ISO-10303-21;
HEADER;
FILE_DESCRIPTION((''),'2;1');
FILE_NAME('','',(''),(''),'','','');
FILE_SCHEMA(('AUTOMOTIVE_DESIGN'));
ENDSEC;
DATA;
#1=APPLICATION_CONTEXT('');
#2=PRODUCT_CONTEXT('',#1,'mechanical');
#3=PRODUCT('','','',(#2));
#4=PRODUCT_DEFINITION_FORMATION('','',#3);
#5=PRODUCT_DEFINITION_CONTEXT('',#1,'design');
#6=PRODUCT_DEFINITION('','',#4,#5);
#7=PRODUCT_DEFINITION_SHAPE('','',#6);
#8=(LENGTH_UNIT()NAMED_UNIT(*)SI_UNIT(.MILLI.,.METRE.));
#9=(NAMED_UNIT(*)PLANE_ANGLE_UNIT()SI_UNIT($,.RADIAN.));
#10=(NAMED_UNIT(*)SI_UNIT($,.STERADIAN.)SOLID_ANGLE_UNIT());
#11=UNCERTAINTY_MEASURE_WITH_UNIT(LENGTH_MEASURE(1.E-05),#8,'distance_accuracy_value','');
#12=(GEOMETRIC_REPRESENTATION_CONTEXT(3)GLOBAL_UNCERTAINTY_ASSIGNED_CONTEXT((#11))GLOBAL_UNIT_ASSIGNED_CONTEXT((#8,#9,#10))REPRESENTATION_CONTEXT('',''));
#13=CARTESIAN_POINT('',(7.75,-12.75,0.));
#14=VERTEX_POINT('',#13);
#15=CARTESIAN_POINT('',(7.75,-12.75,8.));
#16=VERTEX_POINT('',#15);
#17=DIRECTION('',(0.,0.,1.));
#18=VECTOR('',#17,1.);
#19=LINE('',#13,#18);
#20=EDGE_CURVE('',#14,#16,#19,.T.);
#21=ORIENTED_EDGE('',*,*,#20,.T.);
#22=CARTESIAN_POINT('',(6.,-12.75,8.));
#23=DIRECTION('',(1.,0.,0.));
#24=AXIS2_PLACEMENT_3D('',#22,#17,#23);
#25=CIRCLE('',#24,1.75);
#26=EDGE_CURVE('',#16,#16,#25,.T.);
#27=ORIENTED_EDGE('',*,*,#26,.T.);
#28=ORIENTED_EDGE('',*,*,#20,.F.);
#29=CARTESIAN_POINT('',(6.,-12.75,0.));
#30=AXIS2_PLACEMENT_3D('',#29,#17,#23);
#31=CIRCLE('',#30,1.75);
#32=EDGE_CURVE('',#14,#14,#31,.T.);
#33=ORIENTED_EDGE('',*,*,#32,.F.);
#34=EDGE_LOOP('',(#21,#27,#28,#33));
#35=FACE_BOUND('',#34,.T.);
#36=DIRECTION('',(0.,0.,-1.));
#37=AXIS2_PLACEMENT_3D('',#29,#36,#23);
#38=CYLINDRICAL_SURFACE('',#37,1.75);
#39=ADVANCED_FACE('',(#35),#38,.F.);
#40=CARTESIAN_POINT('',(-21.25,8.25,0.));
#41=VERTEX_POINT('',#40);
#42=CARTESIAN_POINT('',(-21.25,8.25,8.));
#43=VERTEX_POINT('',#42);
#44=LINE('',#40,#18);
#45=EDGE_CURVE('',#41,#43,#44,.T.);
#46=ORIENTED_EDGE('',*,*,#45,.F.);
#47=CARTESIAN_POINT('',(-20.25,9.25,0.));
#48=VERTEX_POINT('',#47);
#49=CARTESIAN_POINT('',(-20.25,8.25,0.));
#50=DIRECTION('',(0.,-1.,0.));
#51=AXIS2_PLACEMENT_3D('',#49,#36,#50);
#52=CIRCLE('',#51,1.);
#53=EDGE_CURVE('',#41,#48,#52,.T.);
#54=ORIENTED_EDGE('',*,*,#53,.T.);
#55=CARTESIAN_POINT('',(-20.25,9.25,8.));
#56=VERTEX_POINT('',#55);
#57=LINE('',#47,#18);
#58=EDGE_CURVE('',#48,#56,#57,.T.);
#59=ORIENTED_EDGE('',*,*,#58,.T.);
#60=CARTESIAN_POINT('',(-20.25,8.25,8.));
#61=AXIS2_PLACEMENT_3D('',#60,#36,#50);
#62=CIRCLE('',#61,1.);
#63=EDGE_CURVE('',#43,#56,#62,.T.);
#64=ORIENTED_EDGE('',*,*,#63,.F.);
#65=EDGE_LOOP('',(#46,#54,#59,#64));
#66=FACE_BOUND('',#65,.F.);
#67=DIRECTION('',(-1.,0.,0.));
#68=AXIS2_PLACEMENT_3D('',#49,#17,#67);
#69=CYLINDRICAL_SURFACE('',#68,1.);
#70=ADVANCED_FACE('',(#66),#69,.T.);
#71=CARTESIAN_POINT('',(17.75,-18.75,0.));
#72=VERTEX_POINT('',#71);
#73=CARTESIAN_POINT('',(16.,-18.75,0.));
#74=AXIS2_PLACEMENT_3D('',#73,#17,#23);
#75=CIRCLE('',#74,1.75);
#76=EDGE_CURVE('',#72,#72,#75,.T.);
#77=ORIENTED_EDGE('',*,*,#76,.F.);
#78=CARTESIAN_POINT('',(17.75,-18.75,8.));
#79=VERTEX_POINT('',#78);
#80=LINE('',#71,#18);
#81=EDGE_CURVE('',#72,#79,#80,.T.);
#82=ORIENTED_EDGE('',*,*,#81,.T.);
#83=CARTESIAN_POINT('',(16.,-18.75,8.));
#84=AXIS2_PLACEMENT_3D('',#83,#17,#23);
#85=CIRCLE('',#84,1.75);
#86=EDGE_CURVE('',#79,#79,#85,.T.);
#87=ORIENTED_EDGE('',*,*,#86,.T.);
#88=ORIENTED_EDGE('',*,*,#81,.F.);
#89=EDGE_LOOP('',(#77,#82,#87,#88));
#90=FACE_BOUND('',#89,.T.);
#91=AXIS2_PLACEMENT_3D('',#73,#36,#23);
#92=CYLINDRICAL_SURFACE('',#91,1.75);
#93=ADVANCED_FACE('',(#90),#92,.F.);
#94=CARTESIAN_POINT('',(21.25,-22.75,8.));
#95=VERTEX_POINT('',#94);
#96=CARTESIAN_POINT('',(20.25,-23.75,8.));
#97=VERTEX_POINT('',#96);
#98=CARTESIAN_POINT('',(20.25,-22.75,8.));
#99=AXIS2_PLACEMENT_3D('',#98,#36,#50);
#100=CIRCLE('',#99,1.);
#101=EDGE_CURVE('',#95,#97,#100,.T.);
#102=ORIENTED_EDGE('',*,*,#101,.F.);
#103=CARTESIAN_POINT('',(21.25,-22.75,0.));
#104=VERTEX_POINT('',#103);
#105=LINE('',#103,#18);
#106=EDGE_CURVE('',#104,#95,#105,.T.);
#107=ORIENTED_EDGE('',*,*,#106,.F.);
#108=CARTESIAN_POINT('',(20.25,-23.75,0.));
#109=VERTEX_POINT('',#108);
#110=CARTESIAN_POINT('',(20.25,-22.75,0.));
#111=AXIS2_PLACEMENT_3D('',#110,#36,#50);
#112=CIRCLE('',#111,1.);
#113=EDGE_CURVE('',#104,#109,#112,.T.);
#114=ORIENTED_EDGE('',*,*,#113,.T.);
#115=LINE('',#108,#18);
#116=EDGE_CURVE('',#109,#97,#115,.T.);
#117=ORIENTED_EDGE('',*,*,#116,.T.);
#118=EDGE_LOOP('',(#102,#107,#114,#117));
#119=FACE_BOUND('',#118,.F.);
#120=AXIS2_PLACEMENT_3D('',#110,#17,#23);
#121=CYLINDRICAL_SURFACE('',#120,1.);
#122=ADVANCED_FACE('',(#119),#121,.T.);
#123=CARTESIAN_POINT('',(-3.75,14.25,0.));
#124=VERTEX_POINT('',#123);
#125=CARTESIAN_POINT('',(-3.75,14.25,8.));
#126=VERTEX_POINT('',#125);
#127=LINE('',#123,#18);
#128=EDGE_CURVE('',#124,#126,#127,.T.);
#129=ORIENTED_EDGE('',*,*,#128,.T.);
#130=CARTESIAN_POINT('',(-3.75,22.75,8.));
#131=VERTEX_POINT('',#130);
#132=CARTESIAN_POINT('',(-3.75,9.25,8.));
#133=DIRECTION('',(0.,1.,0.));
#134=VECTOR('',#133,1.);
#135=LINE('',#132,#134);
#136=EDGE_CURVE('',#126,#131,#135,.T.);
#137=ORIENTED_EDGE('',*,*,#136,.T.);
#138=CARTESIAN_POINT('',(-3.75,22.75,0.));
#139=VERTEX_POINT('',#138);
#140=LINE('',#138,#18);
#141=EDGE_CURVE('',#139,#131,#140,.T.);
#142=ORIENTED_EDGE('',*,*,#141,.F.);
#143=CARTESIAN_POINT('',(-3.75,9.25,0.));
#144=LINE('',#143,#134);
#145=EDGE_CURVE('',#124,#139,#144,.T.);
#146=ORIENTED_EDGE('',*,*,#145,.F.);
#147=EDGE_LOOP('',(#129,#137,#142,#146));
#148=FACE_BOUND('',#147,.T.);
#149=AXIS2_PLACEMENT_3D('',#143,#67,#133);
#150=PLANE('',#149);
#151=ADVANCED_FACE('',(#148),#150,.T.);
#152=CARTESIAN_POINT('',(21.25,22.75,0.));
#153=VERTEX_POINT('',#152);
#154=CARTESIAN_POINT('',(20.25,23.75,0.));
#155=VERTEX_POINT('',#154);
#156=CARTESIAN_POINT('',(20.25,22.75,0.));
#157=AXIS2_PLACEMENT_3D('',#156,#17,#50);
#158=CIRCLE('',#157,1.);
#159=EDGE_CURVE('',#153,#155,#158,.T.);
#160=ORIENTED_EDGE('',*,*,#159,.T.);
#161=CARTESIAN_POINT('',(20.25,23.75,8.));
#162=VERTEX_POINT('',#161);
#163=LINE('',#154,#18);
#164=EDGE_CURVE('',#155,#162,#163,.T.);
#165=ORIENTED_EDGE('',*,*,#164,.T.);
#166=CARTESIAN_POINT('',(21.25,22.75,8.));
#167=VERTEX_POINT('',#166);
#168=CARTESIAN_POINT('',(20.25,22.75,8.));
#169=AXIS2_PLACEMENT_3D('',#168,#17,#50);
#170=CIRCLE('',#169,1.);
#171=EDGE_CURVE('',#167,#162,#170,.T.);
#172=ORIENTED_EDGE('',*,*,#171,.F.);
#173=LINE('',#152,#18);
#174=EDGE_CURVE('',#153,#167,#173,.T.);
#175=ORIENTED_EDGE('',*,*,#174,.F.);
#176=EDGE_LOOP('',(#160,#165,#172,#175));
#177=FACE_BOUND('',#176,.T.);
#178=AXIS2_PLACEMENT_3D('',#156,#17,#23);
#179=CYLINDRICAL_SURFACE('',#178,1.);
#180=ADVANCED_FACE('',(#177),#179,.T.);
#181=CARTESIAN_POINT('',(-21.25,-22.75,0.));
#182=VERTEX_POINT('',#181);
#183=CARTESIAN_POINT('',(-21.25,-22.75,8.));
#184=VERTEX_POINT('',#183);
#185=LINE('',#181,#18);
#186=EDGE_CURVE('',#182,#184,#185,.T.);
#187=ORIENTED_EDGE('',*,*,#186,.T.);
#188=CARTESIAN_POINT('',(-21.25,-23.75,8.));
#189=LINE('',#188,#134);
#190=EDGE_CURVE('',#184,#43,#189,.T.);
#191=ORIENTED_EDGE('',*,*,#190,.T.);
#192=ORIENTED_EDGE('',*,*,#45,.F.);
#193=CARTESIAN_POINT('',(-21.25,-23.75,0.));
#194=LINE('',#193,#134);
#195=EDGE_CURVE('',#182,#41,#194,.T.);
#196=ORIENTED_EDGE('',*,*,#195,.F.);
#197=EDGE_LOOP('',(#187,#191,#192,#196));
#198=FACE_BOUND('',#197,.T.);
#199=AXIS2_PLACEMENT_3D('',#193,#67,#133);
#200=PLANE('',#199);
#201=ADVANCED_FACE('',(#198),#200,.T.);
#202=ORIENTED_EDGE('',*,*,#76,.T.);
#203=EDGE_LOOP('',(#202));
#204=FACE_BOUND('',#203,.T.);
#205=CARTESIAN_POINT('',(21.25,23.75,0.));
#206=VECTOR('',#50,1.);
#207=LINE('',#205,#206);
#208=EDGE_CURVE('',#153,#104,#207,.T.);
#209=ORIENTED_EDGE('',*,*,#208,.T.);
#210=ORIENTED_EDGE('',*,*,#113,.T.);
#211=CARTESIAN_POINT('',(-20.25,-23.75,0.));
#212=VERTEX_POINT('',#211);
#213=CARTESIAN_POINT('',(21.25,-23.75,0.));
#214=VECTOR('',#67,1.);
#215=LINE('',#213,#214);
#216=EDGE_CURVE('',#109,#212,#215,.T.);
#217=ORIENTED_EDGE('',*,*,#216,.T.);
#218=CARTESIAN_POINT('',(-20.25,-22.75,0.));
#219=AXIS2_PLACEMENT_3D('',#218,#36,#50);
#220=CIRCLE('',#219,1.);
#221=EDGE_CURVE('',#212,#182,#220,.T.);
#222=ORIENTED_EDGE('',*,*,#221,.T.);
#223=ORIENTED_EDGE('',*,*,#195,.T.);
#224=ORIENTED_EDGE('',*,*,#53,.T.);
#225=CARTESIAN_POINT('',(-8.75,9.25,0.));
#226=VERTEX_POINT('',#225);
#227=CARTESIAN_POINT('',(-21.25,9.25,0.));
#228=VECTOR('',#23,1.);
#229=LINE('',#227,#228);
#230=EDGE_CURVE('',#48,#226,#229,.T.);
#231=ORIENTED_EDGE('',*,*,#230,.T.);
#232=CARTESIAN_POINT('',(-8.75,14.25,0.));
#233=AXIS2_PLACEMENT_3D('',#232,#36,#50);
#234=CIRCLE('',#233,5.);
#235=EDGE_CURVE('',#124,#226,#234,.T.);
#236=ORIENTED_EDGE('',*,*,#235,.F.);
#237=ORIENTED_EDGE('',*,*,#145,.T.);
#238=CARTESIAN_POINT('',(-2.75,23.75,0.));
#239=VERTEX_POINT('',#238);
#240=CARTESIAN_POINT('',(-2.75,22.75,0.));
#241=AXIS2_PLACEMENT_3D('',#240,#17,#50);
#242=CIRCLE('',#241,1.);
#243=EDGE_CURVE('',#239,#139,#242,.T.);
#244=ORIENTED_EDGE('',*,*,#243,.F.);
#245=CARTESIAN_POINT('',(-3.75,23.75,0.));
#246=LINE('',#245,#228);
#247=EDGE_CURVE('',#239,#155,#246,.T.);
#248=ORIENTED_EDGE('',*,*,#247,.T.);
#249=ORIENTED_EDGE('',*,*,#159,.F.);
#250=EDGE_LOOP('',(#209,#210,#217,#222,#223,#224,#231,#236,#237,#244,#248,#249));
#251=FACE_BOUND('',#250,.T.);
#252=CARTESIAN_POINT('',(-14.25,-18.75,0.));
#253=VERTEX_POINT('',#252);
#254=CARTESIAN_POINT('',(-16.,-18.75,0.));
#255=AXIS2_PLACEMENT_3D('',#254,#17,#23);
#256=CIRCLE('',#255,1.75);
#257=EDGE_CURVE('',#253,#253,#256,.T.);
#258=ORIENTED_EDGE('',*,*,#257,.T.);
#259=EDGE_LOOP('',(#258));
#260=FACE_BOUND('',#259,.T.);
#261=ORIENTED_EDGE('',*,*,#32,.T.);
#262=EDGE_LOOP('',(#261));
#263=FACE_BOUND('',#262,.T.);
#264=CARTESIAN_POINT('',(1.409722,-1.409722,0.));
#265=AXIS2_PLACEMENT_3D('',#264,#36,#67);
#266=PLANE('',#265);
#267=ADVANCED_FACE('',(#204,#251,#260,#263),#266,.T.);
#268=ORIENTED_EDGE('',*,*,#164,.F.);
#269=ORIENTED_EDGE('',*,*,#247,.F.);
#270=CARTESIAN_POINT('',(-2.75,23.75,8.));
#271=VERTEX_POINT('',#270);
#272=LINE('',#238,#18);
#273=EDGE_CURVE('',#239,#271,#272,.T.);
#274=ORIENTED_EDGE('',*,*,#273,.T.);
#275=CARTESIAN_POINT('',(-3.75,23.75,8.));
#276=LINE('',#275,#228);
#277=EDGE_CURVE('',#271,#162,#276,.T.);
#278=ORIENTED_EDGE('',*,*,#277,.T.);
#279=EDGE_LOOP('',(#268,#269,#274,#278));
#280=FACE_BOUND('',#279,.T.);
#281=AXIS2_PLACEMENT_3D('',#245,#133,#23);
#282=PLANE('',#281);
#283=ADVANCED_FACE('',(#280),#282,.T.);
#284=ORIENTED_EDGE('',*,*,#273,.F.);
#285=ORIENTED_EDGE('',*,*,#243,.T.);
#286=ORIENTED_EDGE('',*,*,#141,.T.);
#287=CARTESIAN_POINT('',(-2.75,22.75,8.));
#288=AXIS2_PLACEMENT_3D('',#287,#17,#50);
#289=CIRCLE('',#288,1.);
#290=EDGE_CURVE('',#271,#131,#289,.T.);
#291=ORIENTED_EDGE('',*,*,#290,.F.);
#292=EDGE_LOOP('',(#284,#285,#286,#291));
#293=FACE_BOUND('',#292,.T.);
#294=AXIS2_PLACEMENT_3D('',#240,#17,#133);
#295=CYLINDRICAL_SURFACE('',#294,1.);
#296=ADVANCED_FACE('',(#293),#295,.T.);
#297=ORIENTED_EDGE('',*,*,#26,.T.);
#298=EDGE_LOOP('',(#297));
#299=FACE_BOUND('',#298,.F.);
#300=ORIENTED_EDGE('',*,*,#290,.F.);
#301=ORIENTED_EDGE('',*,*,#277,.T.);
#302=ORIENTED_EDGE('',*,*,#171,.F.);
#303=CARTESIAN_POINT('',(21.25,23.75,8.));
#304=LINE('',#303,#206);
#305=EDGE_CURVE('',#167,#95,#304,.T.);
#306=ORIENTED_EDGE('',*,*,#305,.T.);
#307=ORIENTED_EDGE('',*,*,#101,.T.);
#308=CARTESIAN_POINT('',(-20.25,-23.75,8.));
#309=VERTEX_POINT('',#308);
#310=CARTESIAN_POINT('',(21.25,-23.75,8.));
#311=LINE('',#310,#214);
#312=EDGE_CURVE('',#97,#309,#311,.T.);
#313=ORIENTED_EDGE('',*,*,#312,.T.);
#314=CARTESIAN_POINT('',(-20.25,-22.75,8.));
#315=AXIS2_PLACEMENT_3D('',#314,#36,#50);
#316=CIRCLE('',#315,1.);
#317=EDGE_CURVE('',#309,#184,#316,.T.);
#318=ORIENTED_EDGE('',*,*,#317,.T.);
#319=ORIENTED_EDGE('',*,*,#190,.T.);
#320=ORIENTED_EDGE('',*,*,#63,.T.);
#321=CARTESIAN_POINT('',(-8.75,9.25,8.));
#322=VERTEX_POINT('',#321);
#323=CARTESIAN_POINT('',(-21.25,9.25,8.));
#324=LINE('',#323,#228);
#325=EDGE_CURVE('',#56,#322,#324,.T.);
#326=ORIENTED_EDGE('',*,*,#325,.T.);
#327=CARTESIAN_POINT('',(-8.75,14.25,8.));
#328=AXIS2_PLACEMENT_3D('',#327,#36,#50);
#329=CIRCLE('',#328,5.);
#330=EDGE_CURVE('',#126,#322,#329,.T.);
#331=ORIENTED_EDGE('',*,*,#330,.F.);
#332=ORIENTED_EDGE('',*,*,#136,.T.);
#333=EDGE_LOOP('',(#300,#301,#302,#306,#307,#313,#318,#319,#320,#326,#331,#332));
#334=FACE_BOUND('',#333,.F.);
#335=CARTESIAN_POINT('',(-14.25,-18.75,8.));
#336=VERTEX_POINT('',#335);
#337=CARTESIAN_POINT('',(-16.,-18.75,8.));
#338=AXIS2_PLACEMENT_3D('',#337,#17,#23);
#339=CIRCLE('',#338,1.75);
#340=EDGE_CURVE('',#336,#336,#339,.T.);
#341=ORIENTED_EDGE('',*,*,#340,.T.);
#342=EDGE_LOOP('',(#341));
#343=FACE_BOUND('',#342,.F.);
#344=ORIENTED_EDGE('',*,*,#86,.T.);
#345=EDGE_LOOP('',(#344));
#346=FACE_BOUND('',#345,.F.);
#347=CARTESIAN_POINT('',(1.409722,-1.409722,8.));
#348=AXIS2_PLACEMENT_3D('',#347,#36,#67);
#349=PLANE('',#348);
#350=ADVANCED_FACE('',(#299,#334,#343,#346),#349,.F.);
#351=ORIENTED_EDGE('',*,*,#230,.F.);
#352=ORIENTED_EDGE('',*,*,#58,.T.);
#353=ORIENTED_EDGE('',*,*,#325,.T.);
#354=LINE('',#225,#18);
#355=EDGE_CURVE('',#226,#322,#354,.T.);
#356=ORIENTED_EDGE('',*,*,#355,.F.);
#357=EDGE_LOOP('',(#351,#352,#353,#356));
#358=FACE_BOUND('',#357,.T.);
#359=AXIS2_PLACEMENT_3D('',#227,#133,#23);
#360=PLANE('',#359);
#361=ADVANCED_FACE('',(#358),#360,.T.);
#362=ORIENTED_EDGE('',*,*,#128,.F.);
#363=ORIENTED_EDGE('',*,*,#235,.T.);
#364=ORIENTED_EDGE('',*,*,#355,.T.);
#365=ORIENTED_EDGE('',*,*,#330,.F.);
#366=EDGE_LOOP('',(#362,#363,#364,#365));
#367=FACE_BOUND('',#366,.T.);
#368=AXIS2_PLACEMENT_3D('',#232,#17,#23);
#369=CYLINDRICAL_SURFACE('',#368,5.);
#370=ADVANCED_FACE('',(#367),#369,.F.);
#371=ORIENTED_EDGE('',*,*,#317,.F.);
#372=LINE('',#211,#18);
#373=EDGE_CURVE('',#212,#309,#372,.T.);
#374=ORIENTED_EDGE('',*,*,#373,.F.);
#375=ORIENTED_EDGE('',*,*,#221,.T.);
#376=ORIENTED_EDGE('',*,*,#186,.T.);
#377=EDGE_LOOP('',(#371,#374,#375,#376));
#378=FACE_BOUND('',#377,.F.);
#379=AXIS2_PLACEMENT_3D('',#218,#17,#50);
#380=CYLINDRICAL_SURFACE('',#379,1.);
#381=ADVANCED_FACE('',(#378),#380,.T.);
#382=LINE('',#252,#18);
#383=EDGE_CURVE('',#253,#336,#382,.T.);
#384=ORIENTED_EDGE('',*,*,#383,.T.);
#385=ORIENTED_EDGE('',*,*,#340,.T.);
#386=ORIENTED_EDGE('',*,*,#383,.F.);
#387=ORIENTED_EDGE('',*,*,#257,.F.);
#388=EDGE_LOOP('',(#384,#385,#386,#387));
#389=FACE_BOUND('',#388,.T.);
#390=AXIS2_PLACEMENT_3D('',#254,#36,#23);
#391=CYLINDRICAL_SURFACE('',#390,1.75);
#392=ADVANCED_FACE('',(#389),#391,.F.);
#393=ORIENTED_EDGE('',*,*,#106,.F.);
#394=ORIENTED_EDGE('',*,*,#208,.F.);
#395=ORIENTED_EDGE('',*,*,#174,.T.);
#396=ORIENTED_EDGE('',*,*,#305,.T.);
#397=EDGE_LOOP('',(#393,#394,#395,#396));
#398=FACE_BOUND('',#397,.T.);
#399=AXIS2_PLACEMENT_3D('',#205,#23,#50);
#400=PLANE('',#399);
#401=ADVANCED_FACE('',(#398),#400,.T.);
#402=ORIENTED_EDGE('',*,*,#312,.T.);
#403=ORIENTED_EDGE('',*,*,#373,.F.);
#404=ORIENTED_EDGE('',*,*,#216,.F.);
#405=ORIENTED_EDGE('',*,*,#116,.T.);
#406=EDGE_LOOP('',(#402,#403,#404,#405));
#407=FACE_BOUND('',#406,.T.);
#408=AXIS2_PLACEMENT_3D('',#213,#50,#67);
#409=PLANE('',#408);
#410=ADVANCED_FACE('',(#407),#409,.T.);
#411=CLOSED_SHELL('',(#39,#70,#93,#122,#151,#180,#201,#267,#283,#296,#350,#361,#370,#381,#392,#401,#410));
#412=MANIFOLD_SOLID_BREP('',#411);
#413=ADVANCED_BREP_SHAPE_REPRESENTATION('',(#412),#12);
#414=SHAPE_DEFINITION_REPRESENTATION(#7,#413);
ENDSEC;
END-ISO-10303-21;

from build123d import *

# Parameters (mm, degrees)
SKETCH_R    = 1.75
PAD_DEPTH   = 8
FILLET_R    = 1
FILLET001_R = 5


with BuildPart() as part:
    # Sketch → Pad (new body)
    with BuildSketch(Plane.XY):
        Polygon((21.25, 23.75), (21.25, -23.75), (-21.25, -23.75), (-21.25, 9.25), (-3.75, 9.25), (-3.75, 23.75), align=None)
        with Locations((-16, -18.75)):
            Circle(SKETCH_R, mode=Mode.SUBTRACT)
        with Locations((16, -18.75)):
            Circle(SKETCH_R, mode=Mode.SUBTRACT)
        with Locations((6, -12.75)):
            Circle(SKETCH_R, mode=Mode.SUBTRACT)
    extrude(amount=PAD_DEPTH)

    # Fillet
    fillet_edges = [part.edges().sort_by_distance(p)[0] for p in [
        (-3.75, 23.75, 4),
        (-21.25, 9.25, 4),
        (21.25, 23.75, 4),
        (21.25, -23.75, 4),
        (-21.25, -23.75, 4),
    ]]
    fillet(fillet_edges, radius=FILLET_R)

    # Fillet001
    fillet001_edges = [part.edges().sort_by_distance(p)[0] for p in [
        (-3.75, 9.25, 4),
    ]]
    fillet(fillet001_edges, radius=FILLET001_R)


solid = part.part
